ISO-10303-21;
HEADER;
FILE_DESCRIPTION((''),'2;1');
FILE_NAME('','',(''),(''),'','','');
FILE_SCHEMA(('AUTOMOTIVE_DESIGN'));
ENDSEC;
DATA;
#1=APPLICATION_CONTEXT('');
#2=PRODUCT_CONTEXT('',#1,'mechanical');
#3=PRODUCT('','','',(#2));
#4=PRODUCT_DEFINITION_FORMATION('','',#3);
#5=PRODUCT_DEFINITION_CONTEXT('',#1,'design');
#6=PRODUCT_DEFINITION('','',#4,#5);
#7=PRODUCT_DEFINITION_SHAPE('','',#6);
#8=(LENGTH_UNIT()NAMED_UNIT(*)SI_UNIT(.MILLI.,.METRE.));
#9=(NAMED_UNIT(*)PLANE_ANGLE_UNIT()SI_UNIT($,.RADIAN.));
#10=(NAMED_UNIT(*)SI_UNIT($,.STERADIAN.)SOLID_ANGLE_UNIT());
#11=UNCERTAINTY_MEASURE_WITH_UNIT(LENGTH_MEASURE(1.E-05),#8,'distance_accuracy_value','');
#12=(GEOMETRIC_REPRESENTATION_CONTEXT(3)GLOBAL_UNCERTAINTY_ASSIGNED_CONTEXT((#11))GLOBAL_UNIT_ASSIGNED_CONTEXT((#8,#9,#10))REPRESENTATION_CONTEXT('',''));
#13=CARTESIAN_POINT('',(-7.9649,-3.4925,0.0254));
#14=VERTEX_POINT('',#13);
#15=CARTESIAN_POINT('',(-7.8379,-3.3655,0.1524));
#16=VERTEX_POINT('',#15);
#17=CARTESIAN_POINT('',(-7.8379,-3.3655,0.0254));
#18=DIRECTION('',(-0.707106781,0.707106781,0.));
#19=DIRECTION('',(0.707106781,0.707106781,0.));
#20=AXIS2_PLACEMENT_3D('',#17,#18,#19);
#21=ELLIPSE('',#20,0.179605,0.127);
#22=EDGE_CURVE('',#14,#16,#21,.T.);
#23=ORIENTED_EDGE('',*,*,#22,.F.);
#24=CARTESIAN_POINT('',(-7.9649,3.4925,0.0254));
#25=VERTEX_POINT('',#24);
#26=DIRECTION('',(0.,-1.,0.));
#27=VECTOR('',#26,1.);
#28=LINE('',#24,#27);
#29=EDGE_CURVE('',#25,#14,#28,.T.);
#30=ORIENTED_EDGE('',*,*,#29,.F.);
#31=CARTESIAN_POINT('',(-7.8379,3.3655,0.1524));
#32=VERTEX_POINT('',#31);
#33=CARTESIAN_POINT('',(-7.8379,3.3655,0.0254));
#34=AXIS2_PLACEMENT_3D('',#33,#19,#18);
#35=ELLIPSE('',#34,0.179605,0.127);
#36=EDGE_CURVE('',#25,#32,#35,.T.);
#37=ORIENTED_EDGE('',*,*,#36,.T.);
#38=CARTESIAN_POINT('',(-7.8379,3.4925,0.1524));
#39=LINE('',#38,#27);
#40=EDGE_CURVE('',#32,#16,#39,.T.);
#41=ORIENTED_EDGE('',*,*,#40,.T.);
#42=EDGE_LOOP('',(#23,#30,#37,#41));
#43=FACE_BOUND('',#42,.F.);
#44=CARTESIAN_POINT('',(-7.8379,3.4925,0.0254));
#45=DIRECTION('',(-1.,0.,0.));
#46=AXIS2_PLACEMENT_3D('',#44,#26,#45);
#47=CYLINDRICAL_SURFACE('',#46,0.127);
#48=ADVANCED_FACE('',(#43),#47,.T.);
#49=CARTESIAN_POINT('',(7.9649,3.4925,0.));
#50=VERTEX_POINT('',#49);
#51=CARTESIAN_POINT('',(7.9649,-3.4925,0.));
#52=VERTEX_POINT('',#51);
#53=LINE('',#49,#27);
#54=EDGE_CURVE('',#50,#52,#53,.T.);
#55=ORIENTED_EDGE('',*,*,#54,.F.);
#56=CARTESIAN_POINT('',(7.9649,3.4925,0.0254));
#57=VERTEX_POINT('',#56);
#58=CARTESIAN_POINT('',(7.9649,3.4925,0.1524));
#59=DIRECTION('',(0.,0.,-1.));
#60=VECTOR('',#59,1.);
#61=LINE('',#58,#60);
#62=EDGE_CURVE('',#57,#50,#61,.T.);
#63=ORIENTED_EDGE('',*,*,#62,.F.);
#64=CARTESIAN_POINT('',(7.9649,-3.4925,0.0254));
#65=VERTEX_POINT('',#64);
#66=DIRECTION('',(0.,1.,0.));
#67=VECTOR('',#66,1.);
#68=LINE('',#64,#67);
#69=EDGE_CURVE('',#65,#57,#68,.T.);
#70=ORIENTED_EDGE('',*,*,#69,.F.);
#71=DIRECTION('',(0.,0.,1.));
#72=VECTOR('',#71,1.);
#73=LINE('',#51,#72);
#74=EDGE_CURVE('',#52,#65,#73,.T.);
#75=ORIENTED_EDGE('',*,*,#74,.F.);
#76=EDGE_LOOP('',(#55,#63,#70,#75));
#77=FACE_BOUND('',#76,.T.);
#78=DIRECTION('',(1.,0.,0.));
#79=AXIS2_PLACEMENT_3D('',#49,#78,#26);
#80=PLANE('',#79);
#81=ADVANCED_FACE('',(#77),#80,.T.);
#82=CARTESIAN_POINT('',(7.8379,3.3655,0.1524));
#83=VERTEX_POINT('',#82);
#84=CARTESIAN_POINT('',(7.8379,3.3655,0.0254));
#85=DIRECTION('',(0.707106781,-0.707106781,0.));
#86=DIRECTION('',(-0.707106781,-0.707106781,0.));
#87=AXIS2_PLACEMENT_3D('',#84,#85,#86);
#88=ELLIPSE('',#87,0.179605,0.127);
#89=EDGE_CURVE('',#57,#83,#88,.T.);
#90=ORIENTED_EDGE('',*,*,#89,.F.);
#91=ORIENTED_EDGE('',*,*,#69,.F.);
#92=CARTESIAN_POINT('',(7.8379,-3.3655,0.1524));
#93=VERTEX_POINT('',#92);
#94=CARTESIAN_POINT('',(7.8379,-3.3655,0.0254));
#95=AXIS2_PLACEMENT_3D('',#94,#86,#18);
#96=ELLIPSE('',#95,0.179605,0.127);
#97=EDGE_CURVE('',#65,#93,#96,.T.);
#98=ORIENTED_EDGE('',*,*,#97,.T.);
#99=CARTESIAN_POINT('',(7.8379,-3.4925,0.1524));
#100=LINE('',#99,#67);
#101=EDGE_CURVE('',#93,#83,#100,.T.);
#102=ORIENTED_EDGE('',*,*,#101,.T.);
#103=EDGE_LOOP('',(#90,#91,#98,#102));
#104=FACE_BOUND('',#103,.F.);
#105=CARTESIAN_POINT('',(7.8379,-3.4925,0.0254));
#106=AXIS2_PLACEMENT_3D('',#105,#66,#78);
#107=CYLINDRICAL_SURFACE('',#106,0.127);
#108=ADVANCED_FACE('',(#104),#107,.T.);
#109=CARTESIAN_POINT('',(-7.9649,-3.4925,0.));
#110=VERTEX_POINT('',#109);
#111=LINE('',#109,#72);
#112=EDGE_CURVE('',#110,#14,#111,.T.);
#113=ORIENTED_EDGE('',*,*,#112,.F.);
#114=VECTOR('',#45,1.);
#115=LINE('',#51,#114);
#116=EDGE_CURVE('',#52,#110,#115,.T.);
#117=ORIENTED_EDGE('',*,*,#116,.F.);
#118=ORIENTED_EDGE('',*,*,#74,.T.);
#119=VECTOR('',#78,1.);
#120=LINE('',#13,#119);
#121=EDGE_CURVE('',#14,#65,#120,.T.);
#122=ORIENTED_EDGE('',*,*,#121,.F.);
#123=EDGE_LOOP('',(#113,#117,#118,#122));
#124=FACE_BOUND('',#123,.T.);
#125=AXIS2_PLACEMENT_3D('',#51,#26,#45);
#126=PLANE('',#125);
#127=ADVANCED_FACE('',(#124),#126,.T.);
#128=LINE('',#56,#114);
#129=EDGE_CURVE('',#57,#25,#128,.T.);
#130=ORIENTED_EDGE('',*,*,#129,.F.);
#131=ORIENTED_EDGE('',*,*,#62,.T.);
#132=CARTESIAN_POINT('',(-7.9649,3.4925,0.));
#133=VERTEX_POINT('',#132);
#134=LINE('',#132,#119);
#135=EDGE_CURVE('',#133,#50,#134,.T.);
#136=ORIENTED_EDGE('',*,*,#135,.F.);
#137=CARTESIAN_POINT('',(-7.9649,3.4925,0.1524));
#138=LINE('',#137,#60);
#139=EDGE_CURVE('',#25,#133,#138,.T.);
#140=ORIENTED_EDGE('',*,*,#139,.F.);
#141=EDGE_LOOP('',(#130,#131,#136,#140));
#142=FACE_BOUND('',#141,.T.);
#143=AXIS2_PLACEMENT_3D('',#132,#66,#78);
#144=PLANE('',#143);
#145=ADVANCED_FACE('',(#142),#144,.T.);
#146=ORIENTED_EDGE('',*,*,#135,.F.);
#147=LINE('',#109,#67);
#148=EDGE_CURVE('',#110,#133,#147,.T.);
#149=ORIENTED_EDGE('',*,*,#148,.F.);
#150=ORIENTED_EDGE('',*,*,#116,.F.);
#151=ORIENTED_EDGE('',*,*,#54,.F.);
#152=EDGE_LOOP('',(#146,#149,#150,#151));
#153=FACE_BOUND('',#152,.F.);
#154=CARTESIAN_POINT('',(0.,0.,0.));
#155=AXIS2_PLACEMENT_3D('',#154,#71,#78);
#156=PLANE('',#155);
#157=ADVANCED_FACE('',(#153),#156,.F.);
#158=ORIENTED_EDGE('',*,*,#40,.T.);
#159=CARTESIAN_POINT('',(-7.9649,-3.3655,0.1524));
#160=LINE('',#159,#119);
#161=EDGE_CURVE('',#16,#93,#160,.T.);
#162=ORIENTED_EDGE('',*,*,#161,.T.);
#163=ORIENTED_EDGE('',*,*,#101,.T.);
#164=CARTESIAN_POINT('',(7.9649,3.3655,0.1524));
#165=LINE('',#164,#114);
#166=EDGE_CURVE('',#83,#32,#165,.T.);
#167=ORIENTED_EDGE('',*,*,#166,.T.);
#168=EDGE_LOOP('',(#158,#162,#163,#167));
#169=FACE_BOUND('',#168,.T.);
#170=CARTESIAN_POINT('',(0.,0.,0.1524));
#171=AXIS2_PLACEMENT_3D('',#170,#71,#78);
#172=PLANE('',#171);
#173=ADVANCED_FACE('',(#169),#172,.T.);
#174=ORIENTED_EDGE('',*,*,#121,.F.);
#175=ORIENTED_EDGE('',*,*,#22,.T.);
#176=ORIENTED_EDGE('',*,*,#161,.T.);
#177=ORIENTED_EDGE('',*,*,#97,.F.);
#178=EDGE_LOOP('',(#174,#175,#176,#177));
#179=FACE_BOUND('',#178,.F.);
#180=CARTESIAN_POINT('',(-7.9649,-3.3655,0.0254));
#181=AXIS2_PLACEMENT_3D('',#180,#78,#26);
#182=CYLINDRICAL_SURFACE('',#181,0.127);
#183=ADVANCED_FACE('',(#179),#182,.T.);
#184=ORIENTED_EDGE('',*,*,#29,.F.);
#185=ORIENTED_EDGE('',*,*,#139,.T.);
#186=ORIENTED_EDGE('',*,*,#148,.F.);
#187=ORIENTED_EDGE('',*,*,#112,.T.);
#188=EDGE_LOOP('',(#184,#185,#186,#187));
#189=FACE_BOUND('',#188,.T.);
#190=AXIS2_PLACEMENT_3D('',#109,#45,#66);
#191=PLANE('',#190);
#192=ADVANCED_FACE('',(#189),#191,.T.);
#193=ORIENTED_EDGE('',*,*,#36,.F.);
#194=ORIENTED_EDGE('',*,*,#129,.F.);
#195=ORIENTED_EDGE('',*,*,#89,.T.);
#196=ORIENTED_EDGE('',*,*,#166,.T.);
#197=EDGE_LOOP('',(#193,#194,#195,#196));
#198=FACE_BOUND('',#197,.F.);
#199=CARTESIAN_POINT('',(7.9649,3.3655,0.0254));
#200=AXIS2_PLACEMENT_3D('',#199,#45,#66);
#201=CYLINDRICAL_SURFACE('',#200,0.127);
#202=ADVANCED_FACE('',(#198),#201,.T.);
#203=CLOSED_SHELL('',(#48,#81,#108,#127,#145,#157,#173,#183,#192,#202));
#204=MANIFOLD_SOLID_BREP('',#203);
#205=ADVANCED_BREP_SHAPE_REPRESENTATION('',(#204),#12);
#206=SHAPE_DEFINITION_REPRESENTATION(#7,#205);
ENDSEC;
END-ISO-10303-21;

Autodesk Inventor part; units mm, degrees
ref_plane "YZ Plane" through (0, 0, 0) normal (1, 0, 0) x (0, 1, 0)
ref_plane "XZ Plane" through (0, 0, 0) normal (0, 1, 0) x (-1, 0, 0)
ref_plane "XY Plane" through (0, 0, 0) normal (0, 0, 1) x (1, 0, 0)
sketch "Sketch1" plane through (0, 0, 0) normal (0, 0, 1) x (1, 0, 0)
  line L0 (-7.9649, -3.4925) -> (-7.9649, 3.4925) projected
  line L1 (7.9649, -3.4925) -> (-7.9649, -3.4925) projected
  line L2 (7.9649, 3.4925) -> (7.9649, -3.4925) projected
  line L3 (-7.9649, 3.4925) -> (7.9649, 3.4925) projected
  point P0 (0, 0)
extrude "Extrusion1" add sketch "Sketch1" along normal blind 0.0254
sketch "Sketch2" plane through (0, 0, 0.0254) normal (0, 0, 1) x (1, 0, 0)
  line L0 (-7.9649, 3.4925) -> (-7.9649, -3.4925) projected
  line L1 (-7.9649, -3.4925) -> (7.9649, -3.4925) projected
  line L2 (7.9649, -3.4925) -> (7.9649, 3.4925) projected
  line L3 (7.9649, 3.4925) -> (-7.9649, 3.4925) projected
  point P0 (0, 0)
extrude "Extrusion2" add sketch "Sketch2" along normal blind 0.127
fillet "Fillet1" radius 0.127 4 edges at (0, 3.4925, 0.1524) (7.9649, 0, 0.1524) (0, -3.4925, 0.1524) (-7.9649, 0, 0.1524)
sketch "Sketch3" plane through (0, 0, 0.1524) normal (0, 0, 1) x (1, 0, 0)
  line L0 (-7.9649, 3.4925) -> (7.9649, 3.4925) projected
  line L1 (-7.9649, 3.4925) -> (8.0371, 3.4925) construction
  line L2 (8.0371, 3.4925) -> (8.0371, -3.4925) construction
  line L3 (8.0371, -3.4925) -> (-7.9649, -3.4925) construction
  line L4 (-7.9649, -3.4925) -> (-7.9649, 3.4925) construction
  point P0 (0, 0)
decal "Decal1"
properties part number "Emblem" material "Aluminum 6061-AHC"
